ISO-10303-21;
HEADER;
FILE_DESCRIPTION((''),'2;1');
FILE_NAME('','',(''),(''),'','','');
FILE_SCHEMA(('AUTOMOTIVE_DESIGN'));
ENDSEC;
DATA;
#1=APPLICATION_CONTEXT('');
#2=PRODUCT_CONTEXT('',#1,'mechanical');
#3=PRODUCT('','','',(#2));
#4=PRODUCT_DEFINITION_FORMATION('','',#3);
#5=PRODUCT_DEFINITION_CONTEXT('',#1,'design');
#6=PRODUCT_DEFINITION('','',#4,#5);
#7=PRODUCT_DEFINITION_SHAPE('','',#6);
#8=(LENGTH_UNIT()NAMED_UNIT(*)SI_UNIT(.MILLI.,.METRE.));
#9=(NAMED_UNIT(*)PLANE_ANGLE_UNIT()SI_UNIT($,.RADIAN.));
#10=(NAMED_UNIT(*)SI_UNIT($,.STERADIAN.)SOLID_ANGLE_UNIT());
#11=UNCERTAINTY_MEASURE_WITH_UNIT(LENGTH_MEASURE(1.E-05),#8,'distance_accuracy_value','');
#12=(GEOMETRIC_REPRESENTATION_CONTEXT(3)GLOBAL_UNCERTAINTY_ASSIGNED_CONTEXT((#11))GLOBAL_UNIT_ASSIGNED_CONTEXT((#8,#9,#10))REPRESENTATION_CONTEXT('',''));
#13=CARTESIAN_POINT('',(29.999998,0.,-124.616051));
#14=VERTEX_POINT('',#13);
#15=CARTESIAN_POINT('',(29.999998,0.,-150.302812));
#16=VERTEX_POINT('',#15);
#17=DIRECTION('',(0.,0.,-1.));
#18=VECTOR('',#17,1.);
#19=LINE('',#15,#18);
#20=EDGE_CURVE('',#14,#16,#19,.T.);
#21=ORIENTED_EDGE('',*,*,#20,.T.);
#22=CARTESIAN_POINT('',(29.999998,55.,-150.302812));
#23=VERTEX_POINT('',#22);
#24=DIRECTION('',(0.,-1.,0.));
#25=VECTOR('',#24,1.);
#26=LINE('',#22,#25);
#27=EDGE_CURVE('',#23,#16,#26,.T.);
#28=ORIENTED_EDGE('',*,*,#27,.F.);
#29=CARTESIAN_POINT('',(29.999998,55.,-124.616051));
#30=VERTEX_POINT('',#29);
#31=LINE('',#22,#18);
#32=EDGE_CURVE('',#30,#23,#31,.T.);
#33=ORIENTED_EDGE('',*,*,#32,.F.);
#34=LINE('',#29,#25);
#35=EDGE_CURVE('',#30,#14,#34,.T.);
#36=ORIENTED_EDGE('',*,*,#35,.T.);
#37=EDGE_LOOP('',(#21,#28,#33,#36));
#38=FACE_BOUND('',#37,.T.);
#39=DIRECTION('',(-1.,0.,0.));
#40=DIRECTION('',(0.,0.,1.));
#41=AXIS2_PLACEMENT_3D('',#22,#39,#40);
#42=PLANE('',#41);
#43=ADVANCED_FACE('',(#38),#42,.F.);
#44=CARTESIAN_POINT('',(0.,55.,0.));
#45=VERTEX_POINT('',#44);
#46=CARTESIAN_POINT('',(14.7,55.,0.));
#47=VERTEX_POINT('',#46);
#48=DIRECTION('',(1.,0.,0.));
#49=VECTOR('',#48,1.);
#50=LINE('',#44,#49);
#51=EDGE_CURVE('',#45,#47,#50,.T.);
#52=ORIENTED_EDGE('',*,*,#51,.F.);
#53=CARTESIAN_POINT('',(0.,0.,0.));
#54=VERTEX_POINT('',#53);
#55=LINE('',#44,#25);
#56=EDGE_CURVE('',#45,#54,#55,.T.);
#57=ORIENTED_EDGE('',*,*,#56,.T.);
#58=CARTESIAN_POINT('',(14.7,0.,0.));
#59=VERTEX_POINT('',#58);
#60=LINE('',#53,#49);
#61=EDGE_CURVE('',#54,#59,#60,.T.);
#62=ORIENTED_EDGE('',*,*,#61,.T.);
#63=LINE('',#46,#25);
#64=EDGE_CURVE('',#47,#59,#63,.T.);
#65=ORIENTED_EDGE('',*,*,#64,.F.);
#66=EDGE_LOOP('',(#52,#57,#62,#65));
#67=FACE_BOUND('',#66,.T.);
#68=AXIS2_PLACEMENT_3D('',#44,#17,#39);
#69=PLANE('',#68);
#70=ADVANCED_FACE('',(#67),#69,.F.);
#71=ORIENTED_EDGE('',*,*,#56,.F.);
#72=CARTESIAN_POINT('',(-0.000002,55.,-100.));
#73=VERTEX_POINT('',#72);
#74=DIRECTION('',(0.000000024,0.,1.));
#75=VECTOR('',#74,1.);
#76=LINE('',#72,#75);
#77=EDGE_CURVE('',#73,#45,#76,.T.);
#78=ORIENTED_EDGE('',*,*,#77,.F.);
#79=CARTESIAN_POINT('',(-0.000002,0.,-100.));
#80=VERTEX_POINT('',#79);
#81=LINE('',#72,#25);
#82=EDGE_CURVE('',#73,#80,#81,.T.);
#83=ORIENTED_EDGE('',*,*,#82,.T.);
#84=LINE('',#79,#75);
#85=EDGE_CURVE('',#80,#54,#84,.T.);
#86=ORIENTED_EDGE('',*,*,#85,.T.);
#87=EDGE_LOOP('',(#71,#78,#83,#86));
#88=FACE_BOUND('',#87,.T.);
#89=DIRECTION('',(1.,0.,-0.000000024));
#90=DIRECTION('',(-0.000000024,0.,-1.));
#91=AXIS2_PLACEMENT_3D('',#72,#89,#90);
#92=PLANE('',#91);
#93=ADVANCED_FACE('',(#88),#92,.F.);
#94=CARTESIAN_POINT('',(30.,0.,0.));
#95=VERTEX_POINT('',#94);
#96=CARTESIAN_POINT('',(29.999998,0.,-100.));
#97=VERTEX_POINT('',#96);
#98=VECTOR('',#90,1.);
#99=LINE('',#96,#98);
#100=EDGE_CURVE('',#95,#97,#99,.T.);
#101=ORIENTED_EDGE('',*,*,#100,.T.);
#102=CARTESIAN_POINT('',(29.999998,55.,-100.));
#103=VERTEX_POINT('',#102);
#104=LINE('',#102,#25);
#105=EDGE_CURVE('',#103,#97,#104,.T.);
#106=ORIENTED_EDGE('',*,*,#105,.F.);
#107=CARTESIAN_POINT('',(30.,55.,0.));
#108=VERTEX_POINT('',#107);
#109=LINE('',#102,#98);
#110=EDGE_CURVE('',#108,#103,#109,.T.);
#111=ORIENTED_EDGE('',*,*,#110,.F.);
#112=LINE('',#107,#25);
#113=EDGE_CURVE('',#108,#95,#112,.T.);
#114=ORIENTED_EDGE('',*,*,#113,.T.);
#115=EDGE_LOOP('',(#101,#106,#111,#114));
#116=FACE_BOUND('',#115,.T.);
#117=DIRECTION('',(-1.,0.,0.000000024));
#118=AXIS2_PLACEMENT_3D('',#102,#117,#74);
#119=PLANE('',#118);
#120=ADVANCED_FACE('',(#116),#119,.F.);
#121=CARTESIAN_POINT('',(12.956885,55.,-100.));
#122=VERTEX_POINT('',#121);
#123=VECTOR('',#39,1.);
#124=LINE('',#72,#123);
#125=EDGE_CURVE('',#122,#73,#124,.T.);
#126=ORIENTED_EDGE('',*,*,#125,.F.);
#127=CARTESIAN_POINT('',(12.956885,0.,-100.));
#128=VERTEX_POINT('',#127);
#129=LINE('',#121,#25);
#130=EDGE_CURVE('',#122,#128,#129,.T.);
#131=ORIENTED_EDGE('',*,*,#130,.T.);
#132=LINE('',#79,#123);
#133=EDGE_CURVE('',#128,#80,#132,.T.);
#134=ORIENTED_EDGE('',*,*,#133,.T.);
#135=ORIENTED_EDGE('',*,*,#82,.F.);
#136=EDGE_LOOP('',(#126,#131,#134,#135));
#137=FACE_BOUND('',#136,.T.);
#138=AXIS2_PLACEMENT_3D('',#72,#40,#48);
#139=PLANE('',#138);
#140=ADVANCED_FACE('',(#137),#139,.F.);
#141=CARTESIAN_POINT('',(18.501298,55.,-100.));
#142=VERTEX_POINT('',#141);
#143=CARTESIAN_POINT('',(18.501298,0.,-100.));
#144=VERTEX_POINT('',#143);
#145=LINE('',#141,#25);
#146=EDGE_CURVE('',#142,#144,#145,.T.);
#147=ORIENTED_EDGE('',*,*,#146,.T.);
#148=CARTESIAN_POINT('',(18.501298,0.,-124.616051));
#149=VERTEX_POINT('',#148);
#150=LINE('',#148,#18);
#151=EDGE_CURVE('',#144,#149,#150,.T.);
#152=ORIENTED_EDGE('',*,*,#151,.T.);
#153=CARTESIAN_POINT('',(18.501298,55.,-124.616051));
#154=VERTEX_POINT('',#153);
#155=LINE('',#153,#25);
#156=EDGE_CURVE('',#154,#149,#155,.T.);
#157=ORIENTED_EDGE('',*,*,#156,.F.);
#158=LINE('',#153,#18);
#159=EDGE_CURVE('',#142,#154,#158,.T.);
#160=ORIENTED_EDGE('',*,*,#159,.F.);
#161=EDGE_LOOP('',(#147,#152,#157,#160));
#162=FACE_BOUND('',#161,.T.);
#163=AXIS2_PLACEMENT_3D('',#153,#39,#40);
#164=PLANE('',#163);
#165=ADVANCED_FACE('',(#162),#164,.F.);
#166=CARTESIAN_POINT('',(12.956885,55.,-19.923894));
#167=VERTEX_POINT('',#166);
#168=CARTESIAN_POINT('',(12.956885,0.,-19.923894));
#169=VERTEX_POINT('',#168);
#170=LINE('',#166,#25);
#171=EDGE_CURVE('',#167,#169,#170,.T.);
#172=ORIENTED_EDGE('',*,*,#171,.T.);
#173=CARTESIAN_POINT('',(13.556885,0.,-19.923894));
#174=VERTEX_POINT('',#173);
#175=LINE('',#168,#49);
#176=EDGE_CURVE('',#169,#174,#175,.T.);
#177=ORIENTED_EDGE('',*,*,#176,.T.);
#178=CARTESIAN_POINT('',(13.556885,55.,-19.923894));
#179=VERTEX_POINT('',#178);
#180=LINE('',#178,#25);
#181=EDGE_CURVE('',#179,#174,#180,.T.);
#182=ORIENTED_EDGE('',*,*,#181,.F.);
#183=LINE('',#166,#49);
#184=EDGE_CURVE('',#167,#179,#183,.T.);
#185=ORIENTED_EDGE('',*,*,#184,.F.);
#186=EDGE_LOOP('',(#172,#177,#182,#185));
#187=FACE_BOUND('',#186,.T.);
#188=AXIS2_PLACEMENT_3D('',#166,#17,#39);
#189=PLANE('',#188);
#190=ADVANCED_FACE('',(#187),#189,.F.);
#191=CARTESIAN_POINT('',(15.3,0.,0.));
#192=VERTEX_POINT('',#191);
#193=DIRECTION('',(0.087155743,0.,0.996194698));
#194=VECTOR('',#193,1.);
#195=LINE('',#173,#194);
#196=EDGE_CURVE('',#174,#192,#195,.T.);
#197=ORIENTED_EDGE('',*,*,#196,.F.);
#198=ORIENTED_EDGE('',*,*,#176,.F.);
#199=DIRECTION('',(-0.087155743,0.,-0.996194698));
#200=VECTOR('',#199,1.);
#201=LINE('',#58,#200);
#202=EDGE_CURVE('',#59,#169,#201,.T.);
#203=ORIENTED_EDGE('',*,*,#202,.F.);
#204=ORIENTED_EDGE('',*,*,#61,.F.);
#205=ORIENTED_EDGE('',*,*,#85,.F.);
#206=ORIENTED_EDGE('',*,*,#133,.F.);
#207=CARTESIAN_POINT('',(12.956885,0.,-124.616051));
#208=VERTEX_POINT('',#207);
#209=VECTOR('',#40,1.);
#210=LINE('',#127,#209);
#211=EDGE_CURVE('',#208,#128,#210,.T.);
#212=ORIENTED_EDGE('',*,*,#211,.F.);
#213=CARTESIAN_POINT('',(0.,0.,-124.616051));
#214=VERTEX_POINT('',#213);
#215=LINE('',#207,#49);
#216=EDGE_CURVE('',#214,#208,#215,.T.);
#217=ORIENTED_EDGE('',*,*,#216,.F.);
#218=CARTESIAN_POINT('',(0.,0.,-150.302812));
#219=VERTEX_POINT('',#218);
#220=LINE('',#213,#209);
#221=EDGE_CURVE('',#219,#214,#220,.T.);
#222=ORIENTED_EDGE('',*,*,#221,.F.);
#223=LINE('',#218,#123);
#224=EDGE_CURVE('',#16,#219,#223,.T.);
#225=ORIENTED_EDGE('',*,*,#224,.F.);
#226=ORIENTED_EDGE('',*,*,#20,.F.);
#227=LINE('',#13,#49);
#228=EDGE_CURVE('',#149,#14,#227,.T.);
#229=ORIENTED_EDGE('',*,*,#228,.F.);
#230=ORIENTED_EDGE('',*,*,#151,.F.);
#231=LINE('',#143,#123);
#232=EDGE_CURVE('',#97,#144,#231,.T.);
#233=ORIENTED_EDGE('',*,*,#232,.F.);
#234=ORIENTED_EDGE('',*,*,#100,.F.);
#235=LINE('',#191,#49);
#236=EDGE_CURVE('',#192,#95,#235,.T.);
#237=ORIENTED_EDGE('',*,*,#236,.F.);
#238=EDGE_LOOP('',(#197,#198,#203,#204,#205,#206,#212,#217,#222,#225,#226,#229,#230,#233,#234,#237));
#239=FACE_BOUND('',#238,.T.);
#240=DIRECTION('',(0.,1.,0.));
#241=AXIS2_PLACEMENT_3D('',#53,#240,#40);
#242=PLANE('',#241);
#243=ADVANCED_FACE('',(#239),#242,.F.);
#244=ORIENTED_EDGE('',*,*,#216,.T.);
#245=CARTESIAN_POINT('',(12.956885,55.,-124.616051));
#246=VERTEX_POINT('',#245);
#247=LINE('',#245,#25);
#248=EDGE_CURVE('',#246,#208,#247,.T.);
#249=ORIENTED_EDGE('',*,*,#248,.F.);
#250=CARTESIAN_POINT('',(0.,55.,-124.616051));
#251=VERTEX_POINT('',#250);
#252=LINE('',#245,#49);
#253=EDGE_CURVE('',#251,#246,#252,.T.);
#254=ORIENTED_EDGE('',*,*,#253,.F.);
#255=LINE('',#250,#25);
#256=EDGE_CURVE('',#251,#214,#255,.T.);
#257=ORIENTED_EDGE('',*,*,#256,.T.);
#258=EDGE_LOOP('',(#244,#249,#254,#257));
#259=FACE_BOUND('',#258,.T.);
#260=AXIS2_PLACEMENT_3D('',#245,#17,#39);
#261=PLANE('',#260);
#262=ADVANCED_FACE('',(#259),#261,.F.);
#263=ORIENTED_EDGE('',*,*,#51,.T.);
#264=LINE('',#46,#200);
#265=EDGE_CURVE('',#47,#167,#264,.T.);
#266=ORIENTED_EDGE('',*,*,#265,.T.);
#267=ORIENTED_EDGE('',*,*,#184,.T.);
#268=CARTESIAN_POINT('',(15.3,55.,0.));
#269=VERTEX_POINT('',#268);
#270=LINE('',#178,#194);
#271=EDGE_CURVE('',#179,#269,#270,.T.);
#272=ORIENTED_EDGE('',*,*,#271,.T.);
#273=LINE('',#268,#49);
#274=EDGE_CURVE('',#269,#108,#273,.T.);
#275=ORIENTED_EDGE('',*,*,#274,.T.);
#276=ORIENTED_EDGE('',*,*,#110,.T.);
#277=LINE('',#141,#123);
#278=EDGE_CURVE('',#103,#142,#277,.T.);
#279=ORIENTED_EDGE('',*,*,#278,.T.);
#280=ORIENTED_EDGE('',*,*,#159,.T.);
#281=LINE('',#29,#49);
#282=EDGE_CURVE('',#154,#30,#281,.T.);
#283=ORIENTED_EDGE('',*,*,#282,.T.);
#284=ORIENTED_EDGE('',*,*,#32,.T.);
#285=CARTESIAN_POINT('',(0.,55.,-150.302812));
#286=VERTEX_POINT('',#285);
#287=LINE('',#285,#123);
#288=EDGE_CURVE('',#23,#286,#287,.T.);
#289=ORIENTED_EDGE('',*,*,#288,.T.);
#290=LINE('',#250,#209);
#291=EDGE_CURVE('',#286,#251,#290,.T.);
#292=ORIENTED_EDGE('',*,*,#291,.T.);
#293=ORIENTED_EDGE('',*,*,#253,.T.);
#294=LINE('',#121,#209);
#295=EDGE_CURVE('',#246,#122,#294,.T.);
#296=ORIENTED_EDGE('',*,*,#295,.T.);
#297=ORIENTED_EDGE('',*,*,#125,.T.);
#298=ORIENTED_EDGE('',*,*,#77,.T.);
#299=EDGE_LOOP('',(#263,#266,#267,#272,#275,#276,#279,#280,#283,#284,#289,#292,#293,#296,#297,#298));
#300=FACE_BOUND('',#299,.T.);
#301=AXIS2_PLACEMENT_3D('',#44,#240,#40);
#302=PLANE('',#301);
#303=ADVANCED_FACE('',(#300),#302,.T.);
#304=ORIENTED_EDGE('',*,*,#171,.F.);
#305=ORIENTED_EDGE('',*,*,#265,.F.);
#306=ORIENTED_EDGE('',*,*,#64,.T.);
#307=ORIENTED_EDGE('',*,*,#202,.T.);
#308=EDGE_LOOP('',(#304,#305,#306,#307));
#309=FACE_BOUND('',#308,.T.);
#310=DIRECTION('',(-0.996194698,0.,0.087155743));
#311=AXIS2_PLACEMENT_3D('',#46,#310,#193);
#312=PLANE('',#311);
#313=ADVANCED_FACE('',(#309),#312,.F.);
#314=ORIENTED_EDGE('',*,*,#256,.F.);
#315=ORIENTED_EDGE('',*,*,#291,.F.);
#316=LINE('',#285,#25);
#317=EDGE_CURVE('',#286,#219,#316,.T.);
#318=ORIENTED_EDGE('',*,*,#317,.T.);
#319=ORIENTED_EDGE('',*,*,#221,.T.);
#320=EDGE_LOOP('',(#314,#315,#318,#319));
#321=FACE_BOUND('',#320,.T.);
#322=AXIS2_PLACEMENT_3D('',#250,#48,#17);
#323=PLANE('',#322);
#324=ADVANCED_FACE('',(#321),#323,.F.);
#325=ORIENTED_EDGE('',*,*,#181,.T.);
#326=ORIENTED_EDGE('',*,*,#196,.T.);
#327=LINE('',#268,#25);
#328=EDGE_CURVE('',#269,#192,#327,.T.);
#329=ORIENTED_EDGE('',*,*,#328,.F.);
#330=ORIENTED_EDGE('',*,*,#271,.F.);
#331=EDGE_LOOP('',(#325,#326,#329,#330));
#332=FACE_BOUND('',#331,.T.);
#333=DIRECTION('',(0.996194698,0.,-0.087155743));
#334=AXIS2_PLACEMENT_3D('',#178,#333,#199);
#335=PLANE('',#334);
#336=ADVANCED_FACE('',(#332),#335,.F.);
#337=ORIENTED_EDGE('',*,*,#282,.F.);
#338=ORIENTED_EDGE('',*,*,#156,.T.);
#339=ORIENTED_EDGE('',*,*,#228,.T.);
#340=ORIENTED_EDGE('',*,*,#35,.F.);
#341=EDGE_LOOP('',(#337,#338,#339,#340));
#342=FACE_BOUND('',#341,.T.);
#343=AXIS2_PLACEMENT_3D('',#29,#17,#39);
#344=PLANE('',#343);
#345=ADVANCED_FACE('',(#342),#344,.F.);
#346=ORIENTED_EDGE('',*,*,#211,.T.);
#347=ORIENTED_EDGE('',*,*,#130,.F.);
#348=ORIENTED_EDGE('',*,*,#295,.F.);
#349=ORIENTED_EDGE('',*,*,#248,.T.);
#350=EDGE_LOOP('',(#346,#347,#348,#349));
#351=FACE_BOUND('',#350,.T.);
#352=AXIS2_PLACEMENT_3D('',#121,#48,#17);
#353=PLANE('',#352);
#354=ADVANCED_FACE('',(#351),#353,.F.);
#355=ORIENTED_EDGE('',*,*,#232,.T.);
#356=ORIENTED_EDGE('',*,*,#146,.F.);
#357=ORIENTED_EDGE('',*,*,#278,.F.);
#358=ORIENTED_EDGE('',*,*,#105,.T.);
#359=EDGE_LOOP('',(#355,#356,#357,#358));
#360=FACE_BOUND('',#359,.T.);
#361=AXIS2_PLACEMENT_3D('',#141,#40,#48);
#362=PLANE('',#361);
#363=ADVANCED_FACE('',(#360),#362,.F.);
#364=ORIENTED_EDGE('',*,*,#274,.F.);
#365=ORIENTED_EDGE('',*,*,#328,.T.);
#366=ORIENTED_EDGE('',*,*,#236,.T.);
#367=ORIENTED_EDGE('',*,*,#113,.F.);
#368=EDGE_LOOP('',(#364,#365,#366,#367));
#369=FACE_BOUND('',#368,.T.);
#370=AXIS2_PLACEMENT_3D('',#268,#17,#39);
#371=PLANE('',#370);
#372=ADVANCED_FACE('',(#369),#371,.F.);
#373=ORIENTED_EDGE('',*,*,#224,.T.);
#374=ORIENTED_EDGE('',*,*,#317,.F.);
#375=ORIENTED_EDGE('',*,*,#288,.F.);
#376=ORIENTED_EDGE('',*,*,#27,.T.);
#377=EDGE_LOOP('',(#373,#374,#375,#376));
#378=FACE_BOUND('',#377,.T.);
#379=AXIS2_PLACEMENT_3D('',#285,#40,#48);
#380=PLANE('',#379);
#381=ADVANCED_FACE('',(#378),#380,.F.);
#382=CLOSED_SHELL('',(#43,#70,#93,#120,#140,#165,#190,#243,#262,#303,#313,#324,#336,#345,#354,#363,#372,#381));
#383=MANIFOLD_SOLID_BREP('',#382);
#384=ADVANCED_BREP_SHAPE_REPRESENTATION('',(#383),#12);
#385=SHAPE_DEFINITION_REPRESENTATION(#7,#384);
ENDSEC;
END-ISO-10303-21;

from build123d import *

# Parameters (mm, degrees)
BOSS_EXTRUDE1_DEPTH = 55


with BuildPart() as part:
    # Sketch1 → Boss-Extrude1 (new body)
    with BuildSketch(Plane(origin=(0, 0, 0), x_dir=(1, 0, 0), z_dir=(0, 1, 0))):
        Polygon((14.7, 0), (12.956885145, 19.923893962), (13.556885145, 19.923893962), (15.3, 0), (30, 0), (29.999997553, 100), (18.501297604, 100), (18.501297604, 124.616050596), (29.999997553, 124.616050596), (29.999997553, 150.30281184), (0, 150.30281184), (0, 124.616050596), (12.956885145, 124.616050596), (12.956885145, 100), (-2.447e-06, 100), (0, 0), align=None)
    extrude(amount=BOSS_EXTRUDE1_DEPTH)


solid = part.part
